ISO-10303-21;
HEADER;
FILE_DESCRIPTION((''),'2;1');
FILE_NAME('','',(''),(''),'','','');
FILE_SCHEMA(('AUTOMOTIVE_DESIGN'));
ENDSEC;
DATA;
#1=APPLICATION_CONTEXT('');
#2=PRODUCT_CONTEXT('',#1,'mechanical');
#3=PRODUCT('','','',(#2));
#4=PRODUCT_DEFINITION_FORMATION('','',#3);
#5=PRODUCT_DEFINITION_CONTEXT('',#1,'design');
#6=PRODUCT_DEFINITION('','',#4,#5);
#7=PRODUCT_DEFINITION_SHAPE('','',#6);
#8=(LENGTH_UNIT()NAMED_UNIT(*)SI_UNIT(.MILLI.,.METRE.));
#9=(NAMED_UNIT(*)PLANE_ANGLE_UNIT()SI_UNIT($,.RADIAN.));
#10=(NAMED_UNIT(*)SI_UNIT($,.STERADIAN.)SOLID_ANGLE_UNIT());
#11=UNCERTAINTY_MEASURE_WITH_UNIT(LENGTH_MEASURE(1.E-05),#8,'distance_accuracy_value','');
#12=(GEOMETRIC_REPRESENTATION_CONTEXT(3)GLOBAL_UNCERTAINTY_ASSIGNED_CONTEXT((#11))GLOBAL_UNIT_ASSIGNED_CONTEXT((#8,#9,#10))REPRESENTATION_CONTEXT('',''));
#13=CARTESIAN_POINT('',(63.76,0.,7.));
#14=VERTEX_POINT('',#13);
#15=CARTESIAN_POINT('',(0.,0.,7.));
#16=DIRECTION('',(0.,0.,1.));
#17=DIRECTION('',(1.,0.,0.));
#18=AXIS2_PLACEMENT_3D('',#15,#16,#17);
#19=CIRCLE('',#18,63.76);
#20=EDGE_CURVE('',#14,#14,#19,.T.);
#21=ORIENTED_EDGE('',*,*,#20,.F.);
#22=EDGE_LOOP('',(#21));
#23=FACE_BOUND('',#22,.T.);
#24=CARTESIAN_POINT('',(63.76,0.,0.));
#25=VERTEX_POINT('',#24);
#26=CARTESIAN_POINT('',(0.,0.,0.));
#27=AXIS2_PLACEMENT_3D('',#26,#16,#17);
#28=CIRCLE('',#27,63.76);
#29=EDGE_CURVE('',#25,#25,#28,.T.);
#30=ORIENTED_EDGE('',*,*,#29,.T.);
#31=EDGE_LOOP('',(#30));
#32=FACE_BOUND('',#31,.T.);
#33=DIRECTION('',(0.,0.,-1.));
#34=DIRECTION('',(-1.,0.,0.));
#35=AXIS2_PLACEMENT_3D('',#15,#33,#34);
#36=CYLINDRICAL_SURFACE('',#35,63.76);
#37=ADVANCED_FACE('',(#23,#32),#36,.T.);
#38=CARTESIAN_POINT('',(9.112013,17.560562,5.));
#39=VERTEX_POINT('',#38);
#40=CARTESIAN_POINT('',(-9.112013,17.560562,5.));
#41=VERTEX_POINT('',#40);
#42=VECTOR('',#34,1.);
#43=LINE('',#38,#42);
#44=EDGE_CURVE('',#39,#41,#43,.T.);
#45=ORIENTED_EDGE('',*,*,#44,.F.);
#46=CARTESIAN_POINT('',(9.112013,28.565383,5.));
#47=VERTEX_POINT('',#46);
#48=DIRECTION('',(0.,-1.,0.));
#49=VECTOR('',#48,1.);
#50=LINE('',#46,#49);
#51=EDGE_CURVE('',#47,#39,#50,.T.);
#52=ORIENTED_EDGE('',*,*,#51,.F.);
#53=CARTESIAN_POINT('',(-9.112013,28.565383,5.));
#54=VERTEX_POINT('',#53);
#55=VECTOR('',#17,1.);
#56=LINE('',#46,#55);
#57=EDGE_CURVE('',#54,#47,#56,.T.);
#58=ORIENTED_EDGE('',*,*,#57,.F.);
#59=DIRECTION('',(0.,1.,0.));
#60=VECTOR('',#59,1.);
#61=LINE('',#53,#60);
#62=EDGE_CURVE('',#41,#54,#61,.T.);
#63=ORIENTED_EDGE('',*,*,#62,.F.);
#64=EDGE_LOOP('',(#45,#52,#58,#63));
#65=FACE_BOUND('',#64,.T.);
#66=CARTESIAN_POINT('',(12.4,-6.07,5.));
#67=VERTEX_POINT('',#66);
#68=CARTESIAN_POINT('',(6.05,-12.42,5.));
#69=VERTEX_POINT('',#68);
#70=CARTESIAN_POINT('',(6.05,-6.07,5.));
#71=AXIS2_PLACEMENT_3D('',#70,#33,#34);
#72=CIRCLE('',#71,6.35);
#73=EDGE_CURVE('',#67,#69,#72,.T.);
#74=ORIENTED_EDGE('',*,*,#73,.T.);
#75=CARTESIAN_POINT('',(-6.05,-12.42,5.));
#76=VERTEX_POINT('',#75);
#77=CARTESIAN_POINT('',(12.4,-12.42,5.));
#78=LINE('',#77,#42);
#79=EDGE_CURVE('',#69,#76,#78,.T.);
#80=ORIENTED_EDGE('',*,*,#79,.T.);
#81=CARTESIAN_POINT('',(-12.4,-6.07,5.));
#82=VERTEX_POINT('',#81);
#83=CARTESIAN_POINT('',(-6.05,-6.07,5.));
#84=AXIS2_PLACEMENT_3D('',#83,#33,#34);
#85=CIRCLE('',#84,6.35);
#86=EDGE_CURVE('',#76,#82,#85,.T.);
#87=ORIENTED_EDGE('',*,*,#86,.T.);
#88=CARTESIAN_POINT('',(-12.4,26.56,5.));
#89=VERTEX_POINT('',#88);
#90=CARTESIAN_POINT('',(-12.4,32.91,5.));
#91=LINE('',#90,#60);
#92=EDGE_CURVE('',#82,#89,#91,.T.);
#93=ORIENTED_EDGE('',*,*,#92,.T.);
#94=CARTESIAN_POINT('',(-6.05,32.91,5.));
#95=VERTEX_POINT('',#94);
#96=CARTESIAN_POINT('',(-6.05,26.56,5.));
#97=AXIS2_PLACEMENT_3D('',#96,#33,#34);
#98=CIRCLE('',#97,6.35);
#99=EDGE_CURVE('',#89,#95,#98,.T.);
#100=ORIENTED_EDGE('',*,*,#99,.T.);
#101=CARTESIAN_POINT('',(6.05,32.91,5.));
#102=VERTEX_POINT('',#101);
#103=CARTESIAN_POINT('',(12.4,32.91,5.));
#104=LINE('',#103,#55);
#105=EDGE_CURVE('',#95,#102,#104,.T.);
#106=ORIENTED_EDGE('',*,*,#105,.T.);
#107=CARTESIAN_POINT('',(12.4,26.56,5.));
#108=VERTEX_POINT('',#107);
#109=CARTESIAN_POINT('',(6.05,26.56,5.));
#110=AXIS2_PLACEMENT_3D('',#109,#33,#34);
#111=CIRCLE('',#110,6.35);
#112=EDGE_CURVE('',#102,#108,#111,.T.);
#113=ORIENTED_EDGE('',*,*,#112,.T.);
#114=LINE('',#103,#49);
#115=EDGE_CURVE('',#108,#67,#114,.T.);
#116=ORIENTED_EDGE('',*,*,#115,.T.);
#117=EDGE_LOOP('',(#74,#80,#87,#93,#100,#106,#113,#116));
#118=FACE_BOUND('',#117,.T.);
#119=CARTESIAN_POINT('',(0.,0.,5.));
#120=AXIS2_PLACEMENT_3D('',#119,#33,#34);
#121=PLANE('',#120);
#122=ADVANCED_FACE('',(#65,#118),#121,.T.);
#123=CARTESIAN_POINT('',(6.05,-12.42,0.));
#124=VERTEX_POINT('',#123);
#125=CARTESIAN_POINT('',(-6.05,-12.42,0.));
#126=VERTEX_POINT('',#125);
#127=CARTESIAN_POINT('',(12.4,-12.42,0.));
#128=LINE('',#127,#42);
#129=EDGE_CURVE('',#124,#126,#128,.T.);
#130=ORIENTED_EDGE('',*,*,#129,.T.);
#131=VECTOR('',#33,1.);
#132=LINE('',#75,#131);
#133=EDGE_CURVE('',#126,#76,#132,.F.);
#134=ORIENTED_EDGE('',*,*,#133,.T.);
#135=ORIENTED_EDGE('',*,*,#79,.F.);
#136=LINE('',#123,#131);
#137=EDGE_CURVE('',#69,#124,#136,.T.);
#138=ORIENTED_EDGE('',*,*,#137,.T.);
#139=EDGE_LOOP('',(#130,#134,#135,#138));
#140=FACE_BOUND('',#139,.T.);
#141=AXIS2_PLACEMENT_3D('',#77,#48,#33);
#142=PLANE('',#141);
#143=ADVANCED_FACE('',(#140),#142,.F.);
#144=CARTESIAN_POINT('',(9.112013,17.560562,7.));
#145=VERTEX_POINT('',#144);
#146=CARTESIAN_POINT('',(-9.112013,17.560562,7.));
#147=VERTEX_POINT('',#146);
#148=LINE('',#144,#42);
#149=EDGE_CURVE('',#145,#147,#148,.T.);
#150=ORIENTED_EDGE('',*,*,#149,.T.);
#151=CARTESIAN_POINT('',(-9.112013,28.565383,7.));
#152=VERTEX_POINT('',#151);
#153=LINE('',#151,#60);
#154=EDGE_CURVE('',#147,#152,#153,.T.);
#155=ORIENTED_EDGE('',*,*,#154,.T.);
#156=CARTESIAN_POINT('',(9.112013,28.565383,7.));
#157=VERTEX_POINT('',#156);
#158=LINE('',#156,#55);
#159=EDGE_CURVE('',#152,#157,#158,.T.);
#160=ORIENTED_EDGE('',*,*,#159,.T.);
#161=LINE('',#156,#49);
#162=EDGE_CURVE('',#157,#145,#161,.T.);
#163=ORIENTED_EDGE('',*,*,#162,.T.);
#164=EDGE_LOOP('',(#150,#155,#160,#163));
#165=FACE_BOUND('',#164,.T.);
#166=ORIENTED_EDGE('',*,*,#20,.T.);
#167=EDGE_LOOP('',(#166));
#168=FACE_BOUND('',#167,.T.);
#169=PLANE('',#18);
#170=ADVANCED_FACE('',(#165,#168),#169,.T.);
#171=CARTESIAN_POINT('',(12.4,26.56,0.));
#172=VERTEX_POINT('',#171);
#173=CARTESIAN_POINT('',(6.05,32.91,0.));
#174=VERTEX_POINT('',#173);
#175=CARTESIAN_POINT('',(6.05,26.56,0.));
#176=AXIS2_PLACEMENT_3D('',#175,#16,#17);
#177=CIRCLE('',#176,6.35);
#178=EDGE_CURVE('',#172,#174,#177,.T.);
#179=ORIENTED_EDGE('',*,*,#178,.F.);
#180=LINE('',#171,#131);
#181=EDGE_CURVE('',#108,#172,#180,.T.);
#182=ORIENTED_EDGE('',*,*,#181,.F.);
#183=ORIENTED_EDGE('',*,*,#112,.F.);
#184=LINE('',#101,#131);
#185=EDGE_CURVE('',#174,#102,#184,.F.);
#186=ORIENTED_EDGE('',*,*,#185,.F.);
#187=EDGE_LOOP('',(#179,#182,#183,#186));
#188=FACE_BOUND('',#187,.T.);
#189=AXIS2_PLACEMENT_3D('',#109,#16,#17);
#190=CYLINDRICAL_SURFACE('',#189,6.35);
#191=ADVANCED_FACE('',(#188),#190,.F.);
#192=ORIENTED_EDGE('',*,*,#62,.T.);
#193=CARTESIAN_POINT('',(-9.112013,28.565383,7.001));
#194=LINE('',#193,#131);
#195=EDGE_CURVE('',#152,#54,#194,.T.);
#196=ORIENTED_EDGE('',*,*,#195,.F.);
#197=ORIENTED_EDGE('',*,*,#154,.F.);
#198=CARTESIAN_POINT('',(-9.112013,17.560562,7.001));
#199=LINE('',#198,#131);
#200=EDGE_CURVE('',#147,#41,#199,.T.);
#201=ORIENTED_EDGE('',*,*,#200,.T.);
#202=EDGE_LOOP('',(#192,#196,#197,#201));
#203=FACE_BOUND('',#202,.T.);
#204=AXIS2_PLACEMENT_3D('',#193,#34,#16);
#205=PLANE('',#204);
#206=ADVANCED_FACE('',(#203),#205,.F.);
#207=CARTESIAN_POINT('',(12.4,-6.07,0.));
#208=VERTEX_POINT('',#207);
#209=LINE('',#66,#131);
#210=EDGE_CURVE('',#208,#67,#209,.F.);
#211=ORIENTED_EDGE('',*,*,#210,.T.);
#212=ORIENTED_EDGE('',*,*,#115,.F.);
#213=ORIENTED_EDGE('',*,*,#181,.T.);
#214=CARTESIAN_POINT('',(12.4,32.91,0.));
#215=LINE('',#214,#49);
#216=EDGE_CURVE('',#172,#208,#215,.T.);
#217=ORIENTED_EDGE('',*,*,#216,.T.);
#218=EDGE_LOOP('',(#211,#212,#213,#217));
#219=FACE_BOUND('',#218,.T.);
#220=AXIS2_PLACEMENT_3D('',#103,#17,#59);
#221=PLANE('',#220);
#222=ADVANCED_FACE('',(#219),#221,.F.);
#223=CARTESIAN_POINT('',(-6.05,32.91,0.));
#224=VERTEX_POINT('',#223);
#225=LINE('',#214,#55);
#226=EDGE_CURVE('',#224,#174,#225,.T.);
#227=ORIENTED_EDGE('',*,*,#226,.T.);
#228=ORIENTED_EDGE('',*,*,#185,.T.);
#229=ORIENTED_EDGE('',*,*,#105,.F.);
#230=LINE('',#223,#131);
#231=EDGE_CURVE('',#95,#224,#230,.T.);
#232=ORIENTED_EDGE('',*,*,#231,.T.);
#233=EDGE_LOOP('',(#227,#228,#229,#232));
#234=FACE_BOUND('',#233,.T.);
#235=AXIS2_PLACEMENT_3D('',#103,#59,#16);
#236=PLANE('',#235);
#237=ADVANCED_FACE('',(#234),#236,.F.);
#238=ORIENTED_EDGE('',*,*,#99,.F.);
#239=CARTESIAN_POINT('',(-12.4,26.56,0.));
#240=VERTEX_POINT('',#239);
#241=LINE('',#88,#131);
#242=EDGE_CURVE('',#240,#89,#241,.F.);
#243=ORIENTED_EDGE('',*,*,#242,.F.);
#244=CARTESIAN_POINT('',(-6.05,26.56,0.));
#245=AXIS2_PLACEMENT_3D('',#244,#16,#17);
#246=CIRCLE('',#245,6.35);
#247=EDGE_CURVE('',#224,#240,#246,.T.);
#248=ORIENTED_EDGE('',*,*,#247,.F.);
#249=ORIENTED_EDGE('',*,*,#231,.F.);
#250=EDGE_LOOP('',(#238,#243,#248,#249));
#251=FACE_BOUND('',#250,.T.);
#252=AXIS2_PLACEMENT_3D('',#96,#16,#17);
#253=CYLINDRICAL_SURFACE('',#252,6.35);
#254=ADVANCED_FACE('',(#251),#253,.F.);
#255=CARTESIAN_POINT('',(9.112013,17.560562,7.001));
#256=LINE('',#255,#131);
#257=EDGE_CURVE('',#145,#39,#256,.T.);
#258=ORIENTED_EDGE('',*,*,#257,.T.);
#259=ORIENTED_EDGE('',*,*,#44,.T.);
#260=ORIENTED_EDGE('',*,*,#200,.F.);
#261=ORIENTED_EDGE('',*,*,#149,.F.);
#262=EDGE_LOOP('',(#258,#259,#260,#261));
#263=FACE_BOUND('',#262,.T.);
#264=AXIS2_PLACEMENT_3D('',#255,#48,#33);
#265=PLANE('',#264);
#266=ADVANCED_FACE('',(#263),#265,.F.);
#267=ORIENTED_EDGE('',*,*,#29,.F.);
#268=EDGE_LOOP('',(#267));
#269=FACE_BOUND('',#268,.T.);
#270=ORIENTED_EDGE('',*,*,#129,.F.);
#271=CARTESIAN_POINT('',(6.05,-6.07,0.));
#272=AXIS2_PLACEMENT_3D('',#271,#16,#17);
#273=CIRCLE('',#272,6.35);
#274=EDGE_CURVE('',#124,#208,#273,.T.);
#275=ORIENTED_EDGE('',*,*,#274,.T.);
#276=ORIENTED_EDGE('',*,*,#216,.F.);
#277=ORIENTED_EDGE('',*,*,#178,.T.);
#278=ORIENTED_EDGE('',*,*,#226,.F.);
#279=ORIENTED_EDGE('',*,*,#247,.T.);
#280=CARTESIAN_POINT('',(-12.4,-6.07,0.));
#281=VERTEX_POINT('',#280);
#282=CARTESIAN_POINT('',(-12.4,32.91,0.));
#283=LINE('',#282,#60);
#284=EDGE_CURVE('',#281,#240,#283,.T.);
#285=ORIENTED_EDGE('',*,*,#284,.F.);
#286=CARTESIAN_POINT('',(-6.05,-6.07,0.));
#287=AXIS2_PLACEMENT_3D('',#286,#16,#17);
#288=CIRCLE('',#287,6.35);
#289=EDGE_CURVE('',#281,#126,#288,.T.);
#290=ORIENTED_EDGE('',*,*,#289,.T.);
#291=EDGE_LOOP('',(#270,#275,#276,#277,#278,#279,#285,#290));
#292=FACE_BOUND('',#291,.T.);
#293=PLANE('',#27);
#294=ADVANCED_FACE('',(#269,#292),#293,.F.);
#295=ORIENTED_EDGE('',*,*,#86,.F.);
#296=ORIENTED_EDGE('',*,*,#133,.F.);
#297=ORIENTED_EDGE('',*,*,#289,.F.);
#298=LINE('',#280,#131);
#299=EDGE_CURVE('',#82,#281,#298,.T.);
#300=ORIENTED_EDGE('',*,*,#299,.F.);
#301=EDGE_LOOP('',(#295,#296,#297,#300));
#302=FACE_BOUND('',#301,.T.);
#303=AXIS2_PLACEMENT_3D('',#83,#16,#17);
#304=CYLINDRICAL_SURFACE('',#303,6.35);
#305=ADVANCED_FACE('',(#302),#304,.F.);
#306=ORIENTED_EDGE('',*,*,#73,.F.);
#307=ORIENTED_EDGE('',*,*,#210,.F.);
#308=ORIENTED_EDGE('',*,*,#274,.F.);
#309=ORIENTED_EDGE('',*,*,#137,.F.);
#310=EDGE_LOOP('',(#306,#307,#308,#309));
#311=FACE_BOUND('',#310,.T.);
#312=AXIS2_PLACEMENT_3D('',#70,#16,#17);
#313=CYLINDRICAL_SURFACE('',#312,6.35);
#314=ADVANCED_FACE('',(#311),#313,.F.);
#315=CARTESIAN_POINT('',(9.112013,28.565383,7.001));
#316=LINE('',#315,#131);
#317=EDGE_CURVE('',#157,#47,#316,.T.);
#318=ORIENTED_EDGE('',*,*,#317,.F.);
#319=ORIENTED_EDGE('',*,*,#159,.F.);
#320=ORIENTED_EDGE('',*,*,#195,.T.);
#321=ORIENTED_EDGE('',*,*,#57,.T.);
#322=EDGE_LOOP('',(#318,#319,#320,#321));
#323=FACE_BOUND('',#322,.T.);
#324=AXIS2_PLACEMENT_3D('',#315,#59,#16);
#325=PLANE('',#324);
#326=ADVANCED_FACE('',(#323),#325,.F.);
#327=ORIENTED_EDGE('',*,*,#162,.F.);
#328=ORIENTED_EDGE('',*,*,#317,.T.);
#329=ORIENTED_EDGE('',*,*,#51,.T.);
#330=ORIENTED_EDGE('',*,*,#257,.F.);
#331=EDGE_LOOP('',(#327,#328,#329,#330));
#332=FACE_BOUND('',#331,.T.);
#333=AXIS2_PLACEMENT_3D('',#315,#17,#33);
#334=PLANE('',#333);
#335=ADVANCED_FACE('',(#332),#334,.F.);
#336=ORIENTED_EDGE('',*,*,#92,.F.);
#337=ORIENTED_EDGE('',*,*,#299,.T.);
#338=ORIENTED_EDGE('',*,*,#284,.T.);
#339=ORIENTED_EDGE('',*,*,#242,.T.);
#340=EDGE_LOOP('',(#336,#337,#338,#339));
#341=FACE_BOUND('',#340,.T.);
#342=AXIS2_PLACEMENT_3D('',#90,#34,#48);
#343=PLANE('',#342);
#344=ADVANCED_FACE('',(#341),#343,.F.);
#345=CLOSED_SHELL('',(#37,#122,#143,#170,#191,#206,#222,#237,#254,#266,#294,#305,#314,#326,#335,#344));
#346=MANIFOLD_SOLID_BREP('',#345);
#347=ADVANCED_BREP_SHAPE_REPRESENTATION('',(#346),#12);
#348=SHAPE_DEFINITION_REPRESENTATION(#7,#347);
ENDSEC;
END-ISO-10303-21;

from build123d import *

# Parameters (mm, degrees)
SKETCH1_R           = 63.76
BOSS_EXTRUDE1_DEPTH = 7
SKETCH4_W           = 24.8
SKETCH4_H           = 45.33
CUT_EXTRUDE1_DEPTH  = 5
FILLET1_R           = 6.35
CUT_EXTRUDE2_REACH  = 92.309
SKETCH5_W           = 18.224025504
SKETCH5_H           = 11.004820717


with BuildPart() as part:
    # Sketch1 → Boss-Extrude1 (new body)
    with BuildSketch(Plane.XY):
        Circle(SKETCH1_R)
    extrude(amount=BOSS_EXTRUDE1_DEPTH)

    # Sketch4 → Cut-Extrude1 (cut)
    with BuildSketch(Plane(origin=(0, 0, 0), x_dir=(-1, 0, 0), z_dir=(0, 0, -1))):
        with Locations((0, 10.245)):
            Rectangle(SKETCH4_W, SKETCH4_H)
    extrude(amount=-CUT_EXTRUDE1_DEPTH, mode=Mode.SUBTRACT)

    # Fillet1
    fillet1_edges = [part.edges().sort_by_distance(p)[0] for p in [
        (12.4, -12.42, 2.5),
        (12.4, 32.91, 2.5),
        (-12.4, 32.91, 2.5),
        (-12.4, -12.42, 2.5),
    ]]
    fillet(fillet1_edges, radius=FILLET1_R)

    # Sketch5 → Cut-Extrude2 (cut, up to next)
    with BuildSketch(Plane(origin=(0, 0, 5), x_dir=(-1, 0, 0), z_dir=(0, 0, -1)), mode=Mode.PRIVATE) as cut_extrude2_sk1:
        with Locations((0, 23.06297221)):
            Rectangle(SKETCH5_W, SKETCH5_H)
    cut_extrude2_tool1 = extrude(cut_extrude2_sk1.sketch, amount=-CUT_EXTRUDE2_REACH, mode=Mode.PRIVATE) & part.part
    add(cut_extrude2_tool1.solids().sort_by_distance((0, 23.062972, 5))[0], mode=Mode.SUBTRACT)


solid = part.part
